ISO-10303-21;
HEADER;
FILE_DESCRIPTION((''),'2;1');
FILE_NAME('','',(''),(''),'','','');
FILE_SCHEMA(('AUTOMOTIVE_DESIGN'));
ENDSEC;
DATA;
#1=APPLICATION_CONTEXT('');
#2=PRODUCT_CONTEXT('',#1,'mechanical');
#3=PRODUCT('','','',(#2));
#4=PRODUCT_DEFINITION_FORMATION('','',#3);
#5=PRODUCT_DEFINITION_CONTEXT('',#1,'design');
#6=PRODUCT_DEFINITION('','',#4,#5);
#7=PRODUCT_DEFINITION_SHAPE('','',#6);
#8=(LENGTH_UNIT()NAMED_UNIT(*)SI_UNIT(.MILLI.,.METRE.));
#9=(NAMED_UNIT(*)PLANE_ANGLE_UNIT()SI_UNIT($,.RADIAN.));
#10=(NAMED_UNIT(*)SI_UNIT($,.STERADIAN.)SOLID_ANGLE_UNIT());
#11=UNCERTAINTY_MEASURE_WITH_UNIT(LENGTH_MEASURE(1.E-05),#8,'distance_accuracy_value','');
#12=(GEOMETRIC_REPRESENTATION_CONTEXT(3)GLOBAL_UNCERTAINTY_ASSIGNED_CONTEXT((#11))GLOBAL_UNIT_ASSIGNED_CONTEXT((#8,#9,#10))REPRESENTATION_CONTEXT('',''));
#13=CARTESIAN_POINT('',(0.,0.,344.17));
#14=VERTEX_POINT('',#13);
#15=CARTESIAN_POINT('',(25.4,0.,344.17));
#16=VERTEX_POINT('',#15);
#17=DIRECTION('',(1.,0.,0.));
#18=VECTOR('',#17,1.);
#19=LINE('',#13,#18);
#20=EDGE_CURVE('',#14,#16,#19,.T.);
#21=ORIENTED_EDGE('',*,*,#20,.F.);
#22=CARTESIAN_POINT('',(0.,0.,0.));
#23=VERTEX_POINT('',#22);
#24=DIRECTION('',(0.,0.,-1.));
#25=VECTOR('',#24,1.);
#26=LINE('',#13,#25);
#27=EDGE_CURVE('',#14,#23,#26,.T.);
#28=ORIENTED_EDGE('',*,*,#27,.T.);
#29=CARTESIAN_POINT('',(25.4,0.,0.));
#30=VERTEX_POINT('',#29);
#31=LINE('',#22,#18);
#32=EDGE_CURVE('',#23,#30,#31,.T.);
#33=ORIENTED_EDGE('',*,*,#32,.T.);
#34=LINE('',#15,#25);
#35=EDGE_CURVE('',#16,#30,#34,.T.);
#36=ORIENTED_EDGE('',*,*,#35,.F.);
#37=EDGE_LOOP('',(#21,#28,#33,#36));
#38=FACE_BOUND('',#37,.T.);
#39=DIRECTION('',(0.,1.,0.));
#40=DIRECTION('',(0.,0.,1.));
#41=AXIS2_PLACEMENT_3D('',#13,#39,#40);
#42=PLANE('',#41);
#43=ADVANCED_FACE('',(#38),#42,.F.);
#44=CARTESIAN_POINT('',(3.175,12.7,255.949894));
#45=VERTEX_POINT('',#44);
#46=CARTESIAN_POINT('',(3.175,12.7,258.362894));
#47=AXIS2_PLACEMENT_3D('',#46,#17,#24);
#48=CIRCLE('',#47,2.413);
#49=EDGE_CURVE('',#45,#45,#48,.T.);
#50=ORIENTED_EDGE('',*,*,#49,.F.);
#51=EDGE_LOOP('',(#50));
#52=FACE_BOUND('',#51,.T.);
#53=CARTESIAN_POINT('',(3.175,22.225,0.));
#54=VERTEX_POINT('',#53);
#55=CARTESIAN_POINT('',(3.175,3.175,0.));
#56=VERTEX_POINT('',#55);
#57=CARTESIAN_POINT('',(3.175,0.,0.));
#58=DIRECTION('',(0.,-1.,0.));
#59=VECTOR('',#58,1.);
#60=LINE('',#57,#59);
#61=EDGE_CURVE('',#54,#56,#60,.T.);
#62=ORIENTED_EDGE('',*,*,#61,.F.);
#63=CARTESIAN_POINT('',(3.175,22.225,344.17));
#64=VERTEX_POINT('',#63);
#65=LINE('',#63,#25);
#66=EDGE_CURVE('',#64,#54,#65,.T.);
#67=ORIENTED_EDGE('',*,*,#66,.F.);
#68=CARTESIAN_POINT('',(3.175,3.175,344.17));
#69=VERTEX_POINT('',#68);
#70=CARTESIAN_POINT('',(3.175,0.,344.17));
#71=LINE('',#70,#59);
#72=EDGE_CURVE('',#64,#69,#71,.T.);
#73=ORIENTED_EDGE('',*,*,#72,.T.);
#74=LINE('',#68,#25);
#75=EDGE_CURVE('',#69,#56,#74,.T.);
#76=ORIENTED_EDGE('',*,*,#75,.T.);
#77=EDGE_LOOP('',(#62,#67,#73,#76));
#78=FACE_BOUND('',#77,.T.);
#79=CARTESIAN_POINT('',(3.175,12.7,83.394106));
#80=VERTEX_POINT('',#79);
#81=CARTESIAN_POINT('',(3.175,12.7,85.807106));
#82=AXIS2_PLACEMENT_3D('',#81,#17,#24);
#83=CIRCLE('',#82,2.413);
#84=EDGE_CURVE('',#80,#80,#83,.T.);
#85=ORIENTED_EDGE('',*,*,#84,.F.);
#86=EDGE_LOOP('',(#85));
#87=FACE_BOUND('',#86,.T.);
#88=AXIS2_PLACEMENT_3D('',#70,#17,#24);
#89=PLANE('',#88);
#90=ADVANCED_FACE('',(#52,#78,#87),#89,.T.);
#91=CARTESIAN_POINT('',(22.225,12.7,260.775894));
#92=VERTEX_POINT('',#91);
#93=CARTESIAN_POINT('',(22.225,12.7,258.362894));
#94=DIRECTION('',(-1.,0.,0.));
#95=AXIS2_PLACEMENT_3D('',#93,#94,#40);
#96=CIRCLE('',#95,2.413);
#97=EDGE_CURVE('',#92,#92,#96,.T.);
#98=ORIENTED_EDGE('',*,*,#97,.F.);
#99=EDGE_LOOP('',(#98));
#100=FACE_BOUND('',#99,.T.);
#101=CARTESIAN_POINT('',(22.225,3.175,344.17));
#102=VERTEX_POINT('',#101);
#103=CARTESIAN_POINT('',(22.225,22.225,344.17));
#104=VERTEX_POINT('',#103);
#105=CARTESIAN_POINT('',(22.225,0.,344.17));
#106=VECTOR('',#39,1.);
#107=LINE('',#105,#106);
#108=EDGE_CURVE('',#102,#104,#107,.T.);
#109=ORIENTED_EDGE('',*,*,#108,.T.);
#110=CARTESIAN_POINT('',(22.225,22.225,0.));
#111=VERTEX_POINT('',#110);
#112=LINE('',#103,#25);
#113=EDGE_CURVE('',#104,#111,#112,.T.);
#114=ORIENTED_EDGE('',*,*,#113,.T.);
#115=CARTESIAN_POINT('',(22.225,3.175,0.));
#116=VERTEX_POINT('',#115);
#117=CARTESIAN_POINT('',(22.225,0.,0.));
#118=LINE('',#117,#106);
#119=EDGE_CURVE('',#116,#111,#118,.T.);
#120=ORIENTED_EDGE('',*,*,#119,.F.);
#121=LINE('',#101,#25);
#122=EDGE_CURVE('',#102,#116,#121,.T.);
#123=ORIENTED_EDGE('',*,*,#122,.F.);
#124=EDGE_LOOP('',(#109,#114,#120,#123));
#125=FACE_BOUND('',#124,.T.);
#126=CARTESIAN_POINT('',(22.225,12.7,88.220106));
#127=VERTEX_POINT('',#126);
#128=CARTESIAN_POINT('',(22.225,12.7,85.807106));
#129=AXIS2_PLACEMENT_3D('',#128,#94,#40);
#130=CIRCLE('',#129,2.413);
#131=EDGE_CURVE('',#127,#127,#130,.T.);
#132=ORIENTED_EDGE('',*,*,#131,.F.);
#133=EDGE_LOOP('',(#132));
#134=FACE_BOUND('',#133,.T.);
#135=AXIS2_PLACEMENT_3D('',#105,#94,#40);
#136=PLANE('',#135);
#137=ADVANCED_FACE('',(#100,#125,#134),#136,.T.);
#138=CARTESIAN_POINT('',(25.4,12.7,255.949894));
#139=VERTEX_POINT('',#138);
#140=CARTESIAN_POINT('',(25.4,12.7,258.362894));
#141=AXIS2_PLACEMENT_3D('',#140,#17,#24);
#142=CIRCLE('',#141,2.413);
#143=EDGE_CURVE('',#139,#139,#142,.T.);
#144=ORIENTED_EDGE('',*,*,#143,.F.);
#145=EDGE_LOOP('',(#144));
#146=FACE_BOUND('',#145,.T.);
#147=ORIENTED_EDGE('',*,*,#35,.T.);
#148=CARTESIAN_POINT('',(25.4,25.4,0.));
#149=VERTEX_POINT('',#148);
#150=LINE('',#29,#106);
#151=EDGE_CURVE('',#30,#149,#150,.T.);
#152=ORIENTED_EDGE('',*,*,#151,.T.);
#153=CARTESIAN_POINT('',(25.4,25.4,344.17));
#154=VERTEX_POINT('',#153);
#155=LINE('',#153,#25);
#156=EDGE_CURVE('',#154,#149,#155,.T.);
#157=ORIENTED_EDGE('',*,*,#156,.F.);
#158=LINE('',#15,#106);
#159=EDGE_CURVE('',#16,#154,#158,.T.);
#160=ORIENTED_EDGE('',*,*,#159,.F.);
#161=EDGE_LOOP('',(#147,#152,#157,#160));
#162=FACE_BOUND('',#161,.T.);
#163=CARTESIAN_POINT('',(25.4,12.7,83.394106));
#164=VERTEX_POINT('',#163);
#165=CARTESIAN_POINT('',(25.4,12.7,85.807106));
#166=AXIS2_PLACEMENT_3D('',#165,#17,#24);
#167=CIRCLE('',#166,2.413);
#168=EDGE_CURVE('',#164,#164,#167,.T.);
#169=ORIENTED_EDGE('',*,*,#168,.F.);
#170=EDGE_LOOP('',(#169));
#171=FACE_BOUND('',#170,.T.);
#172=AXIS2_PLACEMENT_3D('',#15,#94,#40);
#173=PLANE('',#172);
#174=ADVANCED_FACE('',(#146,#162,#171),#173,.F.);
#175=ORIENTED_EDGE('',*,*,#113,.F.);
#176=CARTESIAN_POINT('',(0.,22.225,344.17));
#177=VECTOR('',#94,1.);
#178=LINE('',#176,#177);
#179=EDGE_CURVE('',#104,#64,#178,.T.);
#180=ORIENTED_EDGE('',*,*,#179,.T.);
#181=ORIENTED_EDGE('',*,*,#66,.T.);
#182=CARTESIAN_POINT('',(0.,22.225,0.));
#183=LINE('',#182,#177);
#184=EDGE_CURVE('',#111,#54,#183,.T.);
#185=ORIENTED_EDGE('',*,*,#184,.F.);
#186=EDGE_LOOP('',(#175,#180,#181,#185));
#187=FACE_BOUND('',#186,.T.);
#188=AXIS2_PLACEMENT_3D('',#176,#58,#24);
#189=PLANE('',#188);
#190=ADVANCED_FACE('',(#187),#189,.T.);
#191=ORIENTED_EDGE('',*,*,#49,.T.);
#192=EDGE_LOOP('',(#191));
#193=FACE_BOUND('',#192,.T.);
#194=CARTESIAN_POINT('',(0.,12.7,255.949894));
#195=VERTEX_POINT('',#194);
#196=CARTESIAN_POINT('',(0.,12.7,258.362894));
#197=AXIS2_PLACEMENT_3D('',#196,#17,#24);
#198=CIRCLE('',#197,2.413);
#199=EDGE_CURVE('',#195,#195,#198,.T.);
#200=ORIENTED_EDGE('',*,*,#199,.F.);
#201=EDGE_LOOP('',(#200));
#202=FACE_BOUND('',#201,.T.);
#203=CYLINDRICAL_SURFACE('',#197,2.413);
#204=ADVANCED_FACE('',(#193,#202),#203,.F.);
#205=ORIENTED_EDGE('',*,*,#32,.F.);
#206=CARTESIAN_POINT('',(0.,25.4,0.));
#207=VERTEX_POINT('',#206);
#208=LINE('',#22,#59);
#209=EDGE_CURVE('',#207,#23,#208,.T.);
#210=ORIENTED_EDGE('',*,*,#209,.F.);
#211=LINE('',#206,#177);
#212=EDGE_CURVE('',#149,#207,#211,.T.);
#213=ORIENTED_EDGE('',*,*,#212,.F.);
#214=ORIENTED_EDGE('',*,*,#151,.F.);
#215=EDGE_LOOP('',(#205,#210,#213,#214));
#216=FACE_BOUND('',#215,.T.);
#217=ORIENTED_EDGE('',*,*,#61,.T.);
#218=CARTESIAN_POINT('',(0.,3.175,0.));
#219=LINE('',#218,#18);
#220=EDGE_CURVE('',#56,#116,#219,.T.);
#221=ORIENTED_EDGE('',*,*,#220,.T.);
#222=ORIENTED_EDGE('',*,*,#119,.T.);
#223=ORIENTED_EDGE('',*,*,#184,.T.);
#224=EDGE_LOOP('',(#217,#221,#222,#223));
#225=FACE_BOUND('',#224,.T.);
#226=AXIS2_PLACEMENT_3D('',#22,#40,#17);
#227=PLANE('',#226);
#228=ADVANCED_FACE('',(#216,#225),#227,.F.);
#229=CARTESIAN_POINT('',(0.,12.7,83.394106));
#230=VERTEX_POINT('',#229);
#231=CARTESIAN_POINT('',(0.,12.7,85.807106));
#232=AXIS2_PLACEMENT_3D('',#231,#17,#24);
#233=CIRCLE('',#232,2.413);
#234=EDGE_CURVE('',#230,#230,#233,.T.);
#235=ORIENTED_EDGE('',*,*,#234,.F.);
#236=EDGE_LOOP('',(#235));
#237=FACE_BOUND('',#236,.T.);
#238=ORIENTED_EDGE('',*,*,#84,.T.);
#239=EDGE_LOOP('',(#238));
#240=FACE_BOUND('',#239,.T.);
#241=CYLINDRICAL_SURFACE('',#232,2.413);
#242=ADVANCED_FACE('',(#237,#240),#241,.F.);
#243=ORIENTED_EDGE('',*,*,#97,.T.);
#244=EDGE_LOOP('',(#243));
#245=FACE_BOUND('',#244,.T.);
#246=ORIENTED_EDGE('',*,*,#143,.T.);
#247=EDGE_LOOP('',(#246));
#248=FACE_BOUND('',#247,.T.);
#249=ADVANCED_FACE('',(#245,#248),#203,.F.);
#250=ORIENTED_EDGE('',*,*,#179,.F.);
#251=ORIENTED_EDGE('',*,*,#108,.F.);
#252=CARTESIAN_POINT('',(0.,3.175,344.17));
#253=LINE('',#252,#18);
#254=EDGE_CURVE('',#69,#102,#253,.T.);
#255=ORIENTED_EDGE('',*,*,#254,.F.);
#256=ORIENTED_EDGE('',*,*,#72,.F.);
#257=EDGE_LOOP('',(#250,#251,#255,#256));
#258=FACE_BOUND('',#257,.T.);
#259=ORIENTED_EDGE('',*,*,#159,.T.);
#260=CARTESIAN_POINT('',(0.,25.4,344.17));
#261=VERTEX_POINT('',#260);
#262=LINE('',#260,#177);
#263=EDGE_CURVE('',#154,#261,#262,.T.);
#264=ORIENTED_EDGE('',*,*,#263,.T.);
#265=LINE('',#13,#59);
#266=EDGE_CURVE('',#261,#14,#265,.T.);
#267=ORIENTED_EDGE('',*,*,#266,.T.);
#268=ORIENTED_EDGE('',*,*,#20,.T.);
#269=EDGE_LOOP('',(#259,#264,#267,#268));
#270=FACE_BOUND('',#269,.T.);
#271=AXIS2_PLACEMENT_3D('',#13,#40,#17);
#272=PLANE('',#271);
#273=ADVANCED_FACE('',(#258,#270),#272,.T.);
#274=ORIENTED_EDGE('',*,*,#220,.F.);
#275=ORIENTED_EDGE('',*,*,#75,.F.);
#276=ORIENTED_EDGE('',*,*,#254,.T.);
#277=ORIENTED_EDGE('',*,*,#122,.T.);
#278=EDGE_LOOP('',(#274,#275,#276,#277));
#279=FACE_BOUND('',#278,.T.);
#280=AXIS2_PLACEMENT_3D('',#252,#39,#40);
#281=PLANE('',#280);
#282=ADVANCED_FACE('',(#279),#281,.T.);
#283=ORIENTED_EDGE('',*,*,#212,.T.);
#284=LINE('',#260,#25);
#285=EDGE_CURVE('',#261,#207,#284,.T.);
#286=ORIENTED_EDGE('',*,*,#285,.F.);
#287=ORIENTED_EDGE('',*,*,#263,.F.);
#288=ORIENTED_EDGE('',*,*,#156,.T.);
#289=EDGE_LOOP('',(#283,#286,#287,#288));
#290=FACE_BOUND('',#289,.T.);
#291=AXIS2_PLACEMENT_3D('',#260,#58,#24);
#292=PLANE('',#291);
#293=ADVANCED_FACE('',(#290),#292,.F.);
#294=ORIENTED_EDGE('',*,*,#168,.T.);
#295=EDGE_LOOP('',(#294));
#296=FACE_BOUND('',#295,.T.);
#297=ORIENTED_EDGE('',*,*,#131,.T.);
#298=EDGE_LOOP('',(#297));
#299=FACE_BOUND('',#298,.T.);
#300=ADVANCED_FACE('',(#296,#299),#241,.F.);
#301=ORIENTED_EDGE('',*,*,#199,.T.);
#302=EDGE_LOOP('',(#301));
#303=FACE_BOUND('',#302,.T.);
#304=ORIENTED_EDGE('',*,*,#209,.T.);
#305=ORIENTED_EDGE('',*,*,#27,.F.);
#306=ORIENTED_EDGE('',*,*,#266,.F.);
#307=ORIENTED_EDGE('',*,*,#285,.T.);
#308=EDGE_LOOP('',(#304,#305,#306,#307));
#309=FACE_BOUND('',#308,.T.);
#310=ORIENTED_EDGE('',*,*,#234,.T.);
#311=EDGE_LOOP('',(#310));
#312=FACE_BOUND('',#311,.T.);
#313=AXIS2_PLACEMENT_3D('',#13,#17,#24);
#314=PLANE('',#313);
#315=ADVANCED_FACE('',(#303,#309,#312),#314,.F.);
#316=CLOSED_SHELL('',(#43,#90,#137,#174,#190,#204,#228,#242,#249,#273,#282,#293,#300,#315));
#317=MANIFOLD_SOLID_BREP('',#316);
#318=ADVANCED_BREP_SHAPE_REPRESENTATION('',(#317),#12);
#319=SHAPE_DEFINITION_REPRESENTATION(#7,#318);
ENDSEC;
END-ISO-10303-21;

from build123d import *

# Parameters (mm, degrees)
SKETCH1_W           = 25.4
SKETCH1_H           = 25.4
SKETCH1_W_2         = 19.05
SKETCH1_H_2         = 19.05
EXTRUDE_THIN1_DEPTH = 344.17
SKETCH2_R           = 2.413
CUT_EXTRUDE1_DEPTH  = 26.4


with BuildPart() as part:
    # Sketch1 → Extrude-Thin1 (new body)
    with BuildSketch(Plane.XY):
        with Locations((12.7, 12.7)):
            Rectangle(SKETCH1_W, SKETCH1_H)
        with Locations((12.7, 12.7)):
            Rectangle(SKETCH1_W_2, SKETCH1_H_2, mode=Mode.SUBTRACT)
    extrude(amount=EXTRUDE_THIN1_DEPTH)

    # Sketch2 → Cut-Extrude1 (cut, through all)
    with BuildSketch(Plane(origin=(25.4, 0, 0), x_dir=(0, 0, -1), z_dir=(1, 0, 0))):
        with Locations((-85.8071055, 12.7)):
            Circle(SKETCH2_R)
        with Locations((-258.3628945, 12.7)):
            Circle(SKETCH2_R)
    extrude(amount=-CUT_EXTRUDE1_DEPTH, mode=Mode.SUBTRACT)


solid = part.part
